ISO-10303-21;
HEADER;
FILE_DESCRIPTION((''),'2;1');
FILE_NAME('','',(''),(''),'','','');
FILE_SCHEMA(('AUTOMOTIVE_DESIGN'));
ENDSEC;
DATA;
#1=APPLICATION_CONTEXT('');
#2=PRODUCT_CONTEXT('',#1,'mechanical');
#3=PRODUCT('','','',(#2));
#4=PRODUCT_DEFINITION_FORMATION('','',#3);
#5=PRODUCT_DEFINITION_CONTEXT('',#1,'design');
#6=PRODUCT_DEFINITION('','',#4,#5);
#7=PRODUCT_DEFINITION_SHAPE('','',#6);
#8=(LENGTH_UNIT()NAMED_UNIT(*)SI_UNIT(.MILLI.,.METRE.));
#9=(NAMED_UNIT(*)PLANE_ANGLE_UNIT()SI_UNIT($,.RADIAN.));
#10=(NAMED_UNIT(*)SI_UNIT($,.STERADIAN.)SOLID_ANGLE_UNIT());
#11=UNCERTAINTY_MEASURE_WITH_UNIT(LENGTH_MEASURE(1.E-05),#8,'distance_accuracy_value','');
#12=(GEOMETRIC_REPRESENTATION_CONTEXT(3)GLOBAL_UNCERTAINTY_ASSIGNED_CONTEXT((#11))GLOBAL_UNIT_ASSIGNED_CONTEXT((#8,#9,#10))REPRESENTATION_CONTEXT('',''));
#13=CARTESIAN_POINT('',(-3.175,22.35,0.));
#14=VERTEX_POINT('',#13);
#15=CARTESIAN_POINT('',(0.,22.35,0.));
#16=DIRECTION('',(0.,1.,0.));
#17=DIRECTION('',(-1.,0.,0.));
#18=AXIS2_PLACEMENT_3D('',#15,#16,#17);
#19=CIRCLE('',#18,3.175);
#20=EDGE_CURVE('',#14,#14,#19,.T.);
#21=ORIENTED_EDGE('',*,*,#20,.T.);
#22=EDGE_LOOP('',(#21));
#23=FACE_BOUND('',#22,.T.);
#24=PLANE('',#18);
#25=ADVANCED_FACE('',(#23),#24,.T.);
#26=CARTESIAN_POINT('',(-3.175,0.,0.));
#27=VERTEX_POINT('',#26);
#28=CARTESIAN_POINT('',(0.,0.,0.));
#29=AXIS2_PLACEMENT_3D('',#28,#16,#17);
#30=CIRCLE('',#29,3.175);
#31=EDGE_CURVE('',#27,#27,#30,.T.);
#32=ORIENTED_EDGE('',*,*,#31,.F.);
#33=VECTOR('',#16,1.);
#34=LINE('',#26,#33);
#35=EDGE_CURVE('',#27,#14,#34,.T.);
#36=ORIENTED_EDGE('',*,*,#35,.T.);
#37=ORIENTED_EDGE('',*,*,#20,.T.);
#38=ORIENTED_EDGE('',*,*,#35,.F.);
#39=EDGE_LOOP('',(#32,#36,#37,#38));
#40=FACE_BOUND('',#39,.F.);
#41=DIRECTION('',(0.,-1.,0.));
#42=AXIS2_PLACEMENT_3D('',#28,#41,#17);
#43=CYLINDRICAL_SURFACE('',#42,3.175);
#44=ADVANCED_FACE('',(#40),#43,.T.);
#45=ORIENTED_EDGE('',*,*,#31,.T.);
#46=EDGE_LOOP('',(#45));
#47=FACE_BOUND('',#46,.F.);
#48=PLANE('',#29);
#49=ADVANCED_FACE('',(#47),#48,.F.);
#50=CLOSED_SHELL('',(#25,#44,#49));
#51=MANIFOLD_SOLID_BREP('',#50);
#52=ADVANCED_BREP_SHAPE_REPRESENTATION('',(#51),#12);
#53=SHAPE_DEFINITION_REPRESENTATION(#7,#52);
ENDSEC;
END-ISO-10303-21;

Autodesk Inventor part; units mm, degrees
ref_plane "YZ Plane" through (0, 0, 0) normal (1, 0, 0) x (0, 1, 0)
ref_plane "XZ Plane" through (0, 0, 0) normal (0, 1, 0) x (-1, 0, 0)
ref_plane "XY Plane" through (0, 0, 0) normal (0, 0, 1) x (1, 0, 0)
sketch "Sketch1" plane through (0, 0, 0) normal (0, 1, 0) x (-1, 0, 0)
  circle A0 centre (0, 0) radius 3.175
  dimension "d0" = 6.35
extrude "Extrusion1" add sketch "Sketch1" along normal blind 22.35
properties part number "releaseDowel"
